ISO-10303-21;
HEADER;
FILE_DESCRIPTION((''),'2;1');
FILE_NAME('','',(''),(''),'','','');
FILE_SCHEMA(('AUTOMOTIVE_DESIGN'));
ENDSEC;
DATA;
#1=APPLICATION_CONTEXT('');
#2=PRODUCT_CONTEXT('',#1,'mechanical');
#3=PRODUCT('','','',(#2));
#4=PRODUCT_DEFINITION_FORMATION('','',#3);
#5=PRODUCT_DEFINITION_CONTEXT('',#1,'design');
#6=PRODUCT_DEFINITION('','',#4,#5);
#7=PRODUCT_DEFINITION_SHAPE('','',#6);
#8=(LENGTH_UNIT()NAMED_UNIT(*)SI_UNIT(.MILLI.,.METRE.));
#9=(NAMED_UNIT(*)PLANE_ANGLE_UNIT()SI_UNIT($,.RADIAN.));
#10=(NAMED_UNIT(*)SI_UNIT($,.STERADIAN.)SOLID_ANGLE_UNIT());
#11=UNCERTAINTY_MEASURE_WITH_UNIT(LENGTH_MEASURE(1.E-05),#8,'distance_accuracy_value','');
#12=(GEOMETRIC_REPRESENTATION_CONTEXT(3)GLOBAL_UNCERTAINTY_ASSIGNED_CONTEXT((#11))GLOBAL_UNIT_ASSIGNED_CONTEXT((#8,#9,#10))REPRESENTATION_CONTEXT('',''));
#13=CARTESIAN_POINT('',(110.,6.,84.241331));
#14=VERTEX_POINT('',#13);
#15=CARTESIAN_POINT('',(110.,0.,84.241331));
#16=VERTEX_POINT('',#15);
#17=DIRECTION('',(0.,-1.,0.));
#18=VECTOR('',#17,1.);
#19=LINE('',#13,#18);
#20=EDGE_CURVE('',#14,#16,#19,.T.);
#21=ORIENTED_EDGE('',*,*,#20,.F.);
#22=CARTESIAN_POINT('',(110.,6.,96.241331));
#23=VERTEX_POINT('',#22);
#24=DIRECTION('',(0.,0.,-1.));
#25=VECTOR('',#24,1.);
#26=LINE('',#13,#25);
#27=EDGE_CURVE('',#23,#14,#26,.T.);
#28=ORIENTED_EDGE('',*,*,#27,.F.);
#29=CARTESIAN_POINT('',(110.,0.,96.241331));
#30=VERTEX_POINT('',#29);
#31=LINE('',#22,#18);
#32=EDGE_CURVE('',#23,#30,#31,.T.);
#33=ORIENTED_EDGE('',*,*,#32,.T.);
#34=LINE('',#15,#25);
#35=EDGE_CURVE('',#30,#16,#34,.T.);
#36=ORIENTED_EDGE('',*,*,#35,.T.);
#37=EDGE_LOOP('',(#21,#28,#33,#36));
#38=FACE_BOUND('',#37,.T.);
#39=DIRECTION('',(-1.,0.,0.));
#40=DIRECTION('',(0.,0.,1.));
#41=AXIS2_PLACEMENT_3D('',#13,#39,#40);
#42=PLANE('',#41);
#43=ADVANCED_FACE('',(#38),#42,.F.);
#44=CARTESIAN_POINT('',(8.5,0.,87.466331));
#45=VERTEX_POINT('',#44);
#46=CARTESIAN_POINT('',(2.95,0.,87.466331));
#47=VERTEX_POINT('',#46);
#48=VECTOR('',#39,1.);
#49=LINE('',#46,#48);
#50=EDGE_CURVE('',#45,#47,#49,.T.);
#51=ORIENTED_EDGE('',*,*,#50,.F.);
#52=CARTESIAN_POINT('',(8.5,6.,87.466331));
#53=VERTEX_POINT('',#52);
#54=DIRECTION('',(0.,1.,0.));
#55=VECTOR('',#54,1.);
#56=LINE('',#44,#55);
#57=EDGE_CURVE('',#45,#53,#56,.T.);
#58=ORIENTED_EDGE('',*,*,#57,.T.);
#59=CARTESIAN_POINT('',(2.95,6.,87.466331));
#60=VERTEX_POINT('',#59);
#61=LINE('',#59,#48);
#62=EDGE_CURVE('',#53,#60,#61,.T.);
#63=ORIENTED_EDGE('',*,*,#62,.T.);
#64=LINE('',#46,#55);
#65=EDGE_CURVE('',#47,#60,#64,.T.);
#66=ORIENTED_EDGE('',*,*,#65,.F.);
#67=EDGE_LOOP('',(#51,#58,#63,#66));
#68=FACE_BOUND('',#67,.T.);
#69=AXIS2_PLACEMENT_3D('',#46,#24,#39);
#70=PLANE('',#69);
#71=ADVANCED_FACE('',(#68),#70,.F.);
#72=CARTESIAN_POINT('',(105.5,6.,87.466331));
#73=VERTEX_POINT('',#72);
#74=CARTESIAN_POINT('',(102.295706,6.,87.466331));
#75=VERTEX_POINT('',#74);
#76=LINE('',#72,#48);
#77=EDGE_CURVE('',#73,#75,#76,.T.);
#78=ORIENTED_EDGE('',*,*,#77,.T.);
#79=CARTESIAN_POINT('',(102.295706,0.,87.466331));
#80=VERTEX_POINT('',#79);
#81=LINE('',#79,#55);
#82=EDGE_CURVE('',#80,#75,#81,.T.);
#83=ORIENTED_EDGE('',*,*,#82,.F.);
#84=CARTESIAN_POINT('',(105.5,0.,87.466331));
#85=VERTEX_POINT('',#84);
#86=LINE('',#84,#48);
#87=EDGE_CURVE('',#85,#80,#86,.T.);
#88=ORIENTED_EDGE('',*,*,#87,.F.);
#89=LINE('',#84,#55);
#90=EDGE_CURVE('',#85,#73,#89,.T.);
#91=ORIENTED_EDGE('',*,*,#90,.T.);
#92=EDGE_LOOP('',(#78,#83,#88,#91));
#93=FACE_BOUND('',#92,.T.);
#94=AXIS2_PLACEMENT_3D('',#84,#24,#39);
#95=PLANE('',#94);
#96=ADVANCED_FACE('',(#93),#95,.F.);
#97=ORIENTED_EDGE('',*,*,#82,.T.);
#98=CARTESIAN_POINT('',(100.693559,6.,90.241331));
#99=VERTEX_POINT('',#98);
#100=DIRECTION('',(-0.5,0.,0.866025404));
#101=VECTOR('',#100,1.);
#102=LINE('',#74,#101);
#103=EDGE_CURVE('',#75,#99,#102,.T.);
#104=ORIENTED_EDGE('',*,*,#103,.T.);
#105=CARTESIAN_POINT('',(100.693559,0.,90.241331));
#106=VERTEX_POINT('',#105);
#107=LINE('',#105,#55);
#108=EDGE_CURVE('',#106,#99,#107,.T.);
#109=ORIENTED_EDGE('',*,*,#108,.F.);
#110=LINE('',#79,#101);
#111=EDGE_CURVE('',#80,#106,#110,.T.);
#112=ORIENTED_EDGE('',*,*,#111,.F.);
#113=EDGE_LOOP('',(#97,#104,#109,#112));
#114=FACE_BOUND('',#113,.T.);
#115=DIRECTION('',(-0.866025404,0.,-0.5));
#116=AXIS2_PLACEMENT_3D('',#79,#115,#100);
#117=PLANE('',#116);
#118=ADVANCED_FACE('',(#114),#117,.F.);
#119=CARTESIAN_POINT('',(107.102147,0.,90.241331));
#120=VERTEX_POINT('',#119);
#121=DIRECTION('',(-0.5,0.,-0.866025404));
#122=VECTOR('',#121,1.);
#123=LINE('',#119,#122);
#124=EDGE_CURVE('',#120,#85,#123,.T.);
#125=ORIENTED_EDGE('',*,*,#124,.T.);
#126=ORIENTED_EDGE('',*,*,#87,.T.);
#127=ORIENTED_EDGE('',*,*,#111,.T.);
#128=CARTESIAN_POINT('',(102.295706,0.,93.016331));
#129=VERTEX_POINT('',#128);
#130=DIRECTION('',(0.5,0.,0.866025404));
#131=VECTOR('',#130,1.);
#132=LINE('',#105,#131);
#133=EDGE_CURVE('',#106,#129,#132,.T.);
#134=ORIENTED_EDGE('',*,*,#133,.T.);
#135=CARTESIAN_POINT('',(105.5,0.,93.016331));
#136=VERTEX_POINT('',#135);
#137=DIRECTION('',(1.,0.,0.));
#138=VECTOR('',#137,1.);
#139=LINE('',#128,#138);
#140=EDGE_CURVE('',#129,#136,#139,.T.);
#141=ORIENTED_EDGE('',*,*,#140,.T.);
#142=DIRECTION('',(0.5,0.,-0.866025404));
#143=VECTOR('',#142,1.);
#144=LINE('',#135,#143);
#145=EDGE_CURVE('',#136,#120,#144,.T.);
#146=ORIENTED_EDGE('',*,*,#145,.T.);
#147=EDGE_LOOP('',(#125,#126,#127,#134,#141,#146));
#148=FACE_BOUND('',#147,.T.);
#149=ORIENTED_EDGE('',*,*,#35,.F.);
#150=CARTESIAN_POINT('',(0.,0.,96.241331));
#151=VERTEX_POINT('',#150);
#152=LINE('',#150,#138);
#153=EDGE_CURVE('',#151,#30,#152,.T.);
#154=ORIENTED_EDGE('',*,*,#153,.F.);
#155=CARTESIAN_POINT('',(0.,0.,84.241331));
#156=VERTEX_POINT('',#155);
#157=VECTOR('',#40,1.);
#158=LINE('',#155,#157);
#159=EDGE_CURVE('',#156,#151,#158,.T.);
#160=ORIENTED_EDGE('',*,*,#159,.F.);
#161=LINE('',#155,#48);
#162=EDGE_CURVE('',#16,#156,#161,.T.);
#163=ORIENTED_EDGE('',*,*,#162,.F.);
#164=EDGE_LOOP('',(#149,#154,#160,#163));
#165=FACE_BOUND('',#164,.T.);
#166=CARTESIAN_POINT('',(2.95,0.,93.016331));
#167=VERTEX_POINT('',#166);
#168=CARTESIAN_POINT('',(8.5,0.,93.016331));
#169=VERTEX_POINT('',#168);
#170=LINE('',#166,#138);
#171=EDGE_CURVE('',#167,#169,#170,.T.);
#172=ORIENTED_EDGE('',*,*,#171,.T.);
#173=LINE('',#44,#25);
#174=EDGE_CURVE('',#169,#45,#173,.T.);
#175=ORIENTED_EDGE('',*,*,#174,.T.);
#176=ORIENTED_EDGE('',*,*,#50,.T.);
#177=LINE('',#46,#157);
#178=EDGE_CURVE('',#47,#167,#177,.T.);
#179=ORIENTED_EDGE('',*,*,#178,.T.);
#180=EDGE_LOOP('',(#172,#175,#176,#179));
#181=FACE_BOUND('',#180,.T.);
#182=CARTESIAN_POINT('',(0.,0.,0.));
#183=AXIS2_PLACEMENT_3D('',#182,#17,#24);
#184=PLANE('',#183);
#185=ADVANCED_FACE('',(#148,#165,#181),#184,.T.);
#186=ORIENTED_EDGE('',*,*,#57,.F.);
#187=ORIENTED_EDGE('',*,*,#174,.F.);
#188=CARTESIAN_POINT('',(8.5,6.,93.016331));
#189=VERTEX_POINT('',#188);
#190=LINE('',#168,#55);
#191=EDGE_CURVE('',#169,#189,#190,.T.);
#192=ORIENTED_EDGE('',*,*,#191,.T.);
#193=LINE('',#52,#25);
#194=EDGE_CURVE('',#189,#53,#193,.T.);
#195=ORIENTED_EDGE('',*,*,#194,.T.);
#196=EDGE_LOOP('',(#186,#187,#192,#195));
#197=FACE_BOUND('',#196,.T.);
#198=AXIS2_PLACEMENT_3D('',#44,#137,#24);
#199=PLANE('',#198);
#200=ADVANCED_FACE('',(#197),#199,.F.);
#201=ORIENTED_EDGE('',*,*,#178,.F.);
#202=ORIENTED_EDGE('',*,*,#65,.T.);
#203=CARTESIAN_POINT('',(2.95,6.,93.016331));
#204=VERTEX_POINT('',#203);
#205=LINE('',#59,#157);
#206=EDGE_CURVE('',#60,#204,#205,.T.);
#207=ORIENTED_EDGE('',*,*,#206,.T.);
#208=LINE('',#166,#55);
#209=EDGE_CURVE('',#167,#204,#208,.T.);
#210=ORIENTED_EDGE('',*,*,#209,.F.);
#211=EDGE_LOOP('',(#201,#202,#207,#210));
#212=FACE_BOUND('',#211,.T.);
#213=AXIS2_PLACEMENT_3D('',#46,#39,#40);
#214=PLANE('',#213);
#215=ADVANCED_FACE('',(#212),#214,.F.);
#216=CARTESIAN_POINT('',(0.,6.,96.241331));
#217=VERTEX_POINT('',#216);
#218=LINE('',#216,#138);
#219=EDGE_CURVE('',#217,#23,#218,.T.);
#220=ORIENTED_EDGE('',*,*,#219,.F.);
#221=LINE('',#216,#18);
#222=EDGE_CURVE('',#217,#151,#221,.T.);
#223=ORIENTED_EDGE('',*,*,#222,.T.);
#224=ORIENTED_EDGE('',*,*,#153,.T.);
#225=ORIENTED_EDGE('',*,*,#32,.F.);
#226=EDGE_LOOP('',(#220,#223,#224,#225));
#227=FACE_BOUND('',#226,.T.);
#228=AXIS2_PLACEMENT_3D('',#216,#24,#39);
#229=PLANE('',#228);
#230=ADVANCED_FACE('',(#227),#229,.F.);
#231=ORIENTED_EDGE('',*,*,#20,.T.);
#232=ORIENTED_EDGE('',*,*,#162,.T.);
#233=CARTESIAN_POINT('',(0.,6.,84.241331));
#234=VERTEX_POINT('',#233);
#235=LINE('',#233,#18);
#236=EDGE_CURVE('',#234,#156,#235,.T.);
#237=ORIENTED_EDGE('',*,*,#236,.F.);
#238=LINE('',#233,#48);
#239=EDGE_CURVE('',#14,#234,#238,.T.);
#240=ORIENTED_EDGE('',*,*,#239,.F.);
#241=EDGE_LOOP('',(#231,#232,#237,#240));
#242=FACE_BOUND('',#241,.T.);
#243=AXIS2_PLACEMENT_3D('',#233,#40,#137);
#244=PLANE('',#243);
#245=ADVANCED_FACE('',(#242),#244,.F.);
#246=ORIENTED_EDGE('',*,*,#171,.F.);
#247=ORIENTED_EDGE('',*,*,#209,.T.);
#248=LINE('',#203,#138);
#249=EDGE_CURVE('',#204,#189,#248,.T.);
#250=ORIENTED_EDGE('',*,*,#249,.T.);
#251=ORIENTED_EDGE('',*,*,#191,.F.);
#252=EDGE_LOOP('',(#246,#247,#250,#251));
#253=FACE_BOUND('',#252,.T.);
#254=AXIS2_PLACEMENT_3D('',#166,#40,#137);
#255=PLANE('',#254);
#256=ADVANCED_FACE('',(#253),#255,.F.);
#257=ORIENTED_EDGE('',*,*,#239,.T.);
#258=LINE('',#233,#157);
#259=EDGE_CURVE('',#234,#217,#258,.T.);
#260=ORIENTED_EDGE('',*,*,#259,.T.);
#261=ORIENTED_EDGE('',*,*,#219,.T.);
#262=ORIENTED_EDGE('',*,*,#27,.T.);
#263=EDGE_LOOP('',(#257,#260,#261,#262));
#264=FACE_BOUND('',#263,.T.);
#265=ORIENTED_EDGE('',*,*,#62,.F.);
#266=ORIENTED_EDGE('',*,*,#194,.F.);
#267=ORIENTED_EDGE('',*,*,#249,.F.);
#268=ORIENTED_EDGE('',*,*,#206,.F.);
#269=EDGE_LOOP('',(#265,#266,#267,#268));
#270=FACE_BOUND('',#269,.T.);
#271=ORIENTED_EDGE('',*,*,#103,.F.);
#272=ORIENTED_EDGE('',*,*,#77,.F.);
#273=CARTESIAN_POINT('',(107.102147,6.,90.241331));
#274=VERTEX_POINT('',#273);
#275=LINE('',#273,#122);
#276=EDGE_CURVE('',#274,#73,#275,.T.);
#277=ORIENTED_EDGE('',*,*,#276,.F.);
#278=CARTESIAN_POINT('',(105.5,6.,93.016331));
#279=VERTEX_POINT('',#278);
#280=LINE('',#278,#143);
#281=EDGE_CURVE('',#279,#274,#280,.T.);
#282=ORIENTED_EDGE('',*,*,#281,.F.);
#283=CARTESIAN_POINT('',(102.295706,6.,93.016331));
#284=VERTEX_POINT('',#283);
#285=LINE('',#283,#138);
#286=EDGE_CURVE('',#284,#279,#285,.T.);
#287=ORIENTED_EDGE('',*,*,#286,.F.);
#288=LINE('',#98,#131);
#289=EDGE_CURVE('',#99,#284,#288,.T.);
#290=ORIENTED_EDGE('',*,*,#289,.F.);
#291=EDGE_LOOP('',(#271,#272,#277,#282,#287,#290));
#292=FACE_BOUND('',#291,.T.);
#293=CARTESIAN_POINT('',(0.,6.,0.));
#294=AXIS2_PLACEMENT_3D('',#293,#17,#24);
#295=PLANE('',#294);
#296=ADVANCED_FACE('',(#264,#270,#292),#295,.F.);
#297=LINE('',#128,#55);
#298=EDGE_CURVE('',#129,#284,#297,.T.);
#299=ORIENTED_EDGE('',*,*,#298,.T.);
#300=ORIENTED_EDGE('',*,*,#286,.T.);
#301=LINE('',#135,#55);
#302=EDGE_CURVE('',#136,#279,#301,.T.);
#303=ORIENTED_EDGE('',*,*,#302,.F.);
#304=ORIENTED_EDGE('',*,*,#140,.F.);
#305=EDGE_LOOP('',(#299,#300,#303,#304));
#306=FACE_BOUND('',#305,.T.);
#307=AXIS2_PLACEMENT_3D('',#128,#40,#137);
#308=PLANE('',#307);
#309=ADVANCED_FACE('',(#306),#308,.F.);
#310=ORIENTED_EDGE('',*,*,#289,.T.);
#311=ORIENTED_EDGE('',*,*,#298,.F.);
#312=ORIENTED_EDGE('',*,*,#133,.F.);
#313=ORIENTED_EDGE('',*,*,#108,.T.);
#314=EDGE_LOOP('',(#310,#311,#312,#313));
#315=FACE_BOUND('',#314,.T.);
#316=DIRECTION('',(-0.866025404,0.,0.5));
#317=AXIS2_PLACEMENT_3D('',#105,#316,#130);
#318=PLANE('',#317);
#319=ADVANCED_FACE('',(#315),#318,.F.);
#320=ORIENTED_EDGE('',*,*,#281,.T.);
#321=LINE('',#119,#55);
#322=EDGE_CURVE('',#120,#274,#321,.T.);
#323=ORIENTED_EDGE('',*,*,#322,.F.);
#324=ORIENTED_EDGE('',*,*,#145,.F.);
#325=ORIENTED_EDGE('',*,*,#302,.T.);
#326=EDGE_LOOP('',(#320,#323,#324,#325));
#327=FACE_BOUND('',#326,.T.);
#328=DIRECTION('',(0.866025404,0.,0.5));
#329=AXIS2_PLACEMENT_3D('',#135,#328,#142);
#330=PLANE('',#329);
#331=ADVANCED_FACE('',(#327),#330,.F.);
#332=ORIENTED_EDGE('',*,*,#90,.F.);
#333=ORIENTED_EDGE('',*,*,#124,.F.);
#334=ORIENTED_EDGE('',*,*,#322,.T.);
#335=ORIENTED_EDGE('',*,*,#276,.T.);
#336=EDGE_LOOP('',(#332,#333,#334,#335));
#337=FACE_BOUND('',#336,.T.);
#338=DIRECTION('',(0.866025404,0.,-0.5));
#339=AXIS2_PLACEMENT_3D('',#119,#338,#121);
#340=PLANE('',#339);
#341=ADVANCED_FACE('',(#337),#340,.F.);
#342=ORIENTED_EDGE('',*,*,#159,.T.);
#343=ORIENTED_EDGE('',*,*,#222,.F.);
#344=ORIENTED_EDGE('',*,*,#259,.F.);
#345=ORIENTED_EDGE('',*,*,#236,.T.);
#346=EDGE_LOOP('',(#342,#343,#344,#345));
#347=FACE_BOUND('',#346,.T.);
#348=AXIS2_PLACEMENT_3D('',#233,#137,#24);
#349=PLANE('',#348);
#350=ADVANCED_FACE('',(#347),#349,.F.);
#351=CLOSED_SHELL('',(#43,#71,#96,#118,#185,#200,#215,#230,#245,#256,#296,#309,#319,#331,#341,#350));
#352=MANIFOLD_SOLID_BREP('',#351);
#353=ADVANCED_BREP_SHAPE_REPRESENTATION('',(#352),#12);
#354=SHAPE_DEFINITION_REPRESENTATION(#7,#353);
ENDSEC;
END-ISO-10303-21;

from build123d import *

# Parameters (mm, degrees)
SZKIC1_W                    = 110
SZKIC1_H                    = 12
DODANIE_WYCI_GNI_CIE1_DEPTH = 6
SZKIC2_W                    = 5.55
SZKIC2_H                    = 5.55
WYTNIJ_WYCI_GNI_CIE1_DEPTH  = 6
WYTNIJ_WYCI_GNI_CIE2_DEPTH  = 6


with BuildPart() as part:
    # Szkic1 → Dodanie-wyciągnięcie1 (new body)
    with BuildSketch(Plane(origin=(0, 0, 0), x_dir=(1, 0, 0), z_dir=(0, 1, 0))):
        with Locations((55, -90.241330813)):
            Rectangle(SZKIC1_W, SZKIC1_H)
    extrude(amount=DODANIE_WYCI_GNI_CIE1_DEPTH)

    # Szkic2 → Wytnij-wyciągnięcie1 (cut)
    with BuildSketch(Plane(origin=(0, 6, 0), x_dir=(1, 0, 0), z_dir=(0, 1, 0))):
        with Locations((5.725, -90.241330813)):
            Rectangle(SZKIC2_W, SZKIC2_H)
    extrude(amount=-WYTNIJ_WYCI_GNI_CIE1_DEPTH, mode=Mode.SUBTRACT)

    # Szkic3 → Wytnij-wyciągnięcie2 (cut)
    with BuildSketch(Plane(origin=(0, 6, 0), x_dir=(1, 0, 0), z_dir=(0, 1, 0))):
        Polygon((102.295706006, -93.016330813), (105.5, -93.016330813), (107.102146997, -90.241330813), (105.5, -87.466330813), (102.295706006, -87.466330813), (100.693559009, -90.241330813), align=None)
    extrude(amount=-WYTNIJ_WYCI_GNI_CIE2_DEPTH, mode=Mode.SUBTRACT)


solid = part.part
